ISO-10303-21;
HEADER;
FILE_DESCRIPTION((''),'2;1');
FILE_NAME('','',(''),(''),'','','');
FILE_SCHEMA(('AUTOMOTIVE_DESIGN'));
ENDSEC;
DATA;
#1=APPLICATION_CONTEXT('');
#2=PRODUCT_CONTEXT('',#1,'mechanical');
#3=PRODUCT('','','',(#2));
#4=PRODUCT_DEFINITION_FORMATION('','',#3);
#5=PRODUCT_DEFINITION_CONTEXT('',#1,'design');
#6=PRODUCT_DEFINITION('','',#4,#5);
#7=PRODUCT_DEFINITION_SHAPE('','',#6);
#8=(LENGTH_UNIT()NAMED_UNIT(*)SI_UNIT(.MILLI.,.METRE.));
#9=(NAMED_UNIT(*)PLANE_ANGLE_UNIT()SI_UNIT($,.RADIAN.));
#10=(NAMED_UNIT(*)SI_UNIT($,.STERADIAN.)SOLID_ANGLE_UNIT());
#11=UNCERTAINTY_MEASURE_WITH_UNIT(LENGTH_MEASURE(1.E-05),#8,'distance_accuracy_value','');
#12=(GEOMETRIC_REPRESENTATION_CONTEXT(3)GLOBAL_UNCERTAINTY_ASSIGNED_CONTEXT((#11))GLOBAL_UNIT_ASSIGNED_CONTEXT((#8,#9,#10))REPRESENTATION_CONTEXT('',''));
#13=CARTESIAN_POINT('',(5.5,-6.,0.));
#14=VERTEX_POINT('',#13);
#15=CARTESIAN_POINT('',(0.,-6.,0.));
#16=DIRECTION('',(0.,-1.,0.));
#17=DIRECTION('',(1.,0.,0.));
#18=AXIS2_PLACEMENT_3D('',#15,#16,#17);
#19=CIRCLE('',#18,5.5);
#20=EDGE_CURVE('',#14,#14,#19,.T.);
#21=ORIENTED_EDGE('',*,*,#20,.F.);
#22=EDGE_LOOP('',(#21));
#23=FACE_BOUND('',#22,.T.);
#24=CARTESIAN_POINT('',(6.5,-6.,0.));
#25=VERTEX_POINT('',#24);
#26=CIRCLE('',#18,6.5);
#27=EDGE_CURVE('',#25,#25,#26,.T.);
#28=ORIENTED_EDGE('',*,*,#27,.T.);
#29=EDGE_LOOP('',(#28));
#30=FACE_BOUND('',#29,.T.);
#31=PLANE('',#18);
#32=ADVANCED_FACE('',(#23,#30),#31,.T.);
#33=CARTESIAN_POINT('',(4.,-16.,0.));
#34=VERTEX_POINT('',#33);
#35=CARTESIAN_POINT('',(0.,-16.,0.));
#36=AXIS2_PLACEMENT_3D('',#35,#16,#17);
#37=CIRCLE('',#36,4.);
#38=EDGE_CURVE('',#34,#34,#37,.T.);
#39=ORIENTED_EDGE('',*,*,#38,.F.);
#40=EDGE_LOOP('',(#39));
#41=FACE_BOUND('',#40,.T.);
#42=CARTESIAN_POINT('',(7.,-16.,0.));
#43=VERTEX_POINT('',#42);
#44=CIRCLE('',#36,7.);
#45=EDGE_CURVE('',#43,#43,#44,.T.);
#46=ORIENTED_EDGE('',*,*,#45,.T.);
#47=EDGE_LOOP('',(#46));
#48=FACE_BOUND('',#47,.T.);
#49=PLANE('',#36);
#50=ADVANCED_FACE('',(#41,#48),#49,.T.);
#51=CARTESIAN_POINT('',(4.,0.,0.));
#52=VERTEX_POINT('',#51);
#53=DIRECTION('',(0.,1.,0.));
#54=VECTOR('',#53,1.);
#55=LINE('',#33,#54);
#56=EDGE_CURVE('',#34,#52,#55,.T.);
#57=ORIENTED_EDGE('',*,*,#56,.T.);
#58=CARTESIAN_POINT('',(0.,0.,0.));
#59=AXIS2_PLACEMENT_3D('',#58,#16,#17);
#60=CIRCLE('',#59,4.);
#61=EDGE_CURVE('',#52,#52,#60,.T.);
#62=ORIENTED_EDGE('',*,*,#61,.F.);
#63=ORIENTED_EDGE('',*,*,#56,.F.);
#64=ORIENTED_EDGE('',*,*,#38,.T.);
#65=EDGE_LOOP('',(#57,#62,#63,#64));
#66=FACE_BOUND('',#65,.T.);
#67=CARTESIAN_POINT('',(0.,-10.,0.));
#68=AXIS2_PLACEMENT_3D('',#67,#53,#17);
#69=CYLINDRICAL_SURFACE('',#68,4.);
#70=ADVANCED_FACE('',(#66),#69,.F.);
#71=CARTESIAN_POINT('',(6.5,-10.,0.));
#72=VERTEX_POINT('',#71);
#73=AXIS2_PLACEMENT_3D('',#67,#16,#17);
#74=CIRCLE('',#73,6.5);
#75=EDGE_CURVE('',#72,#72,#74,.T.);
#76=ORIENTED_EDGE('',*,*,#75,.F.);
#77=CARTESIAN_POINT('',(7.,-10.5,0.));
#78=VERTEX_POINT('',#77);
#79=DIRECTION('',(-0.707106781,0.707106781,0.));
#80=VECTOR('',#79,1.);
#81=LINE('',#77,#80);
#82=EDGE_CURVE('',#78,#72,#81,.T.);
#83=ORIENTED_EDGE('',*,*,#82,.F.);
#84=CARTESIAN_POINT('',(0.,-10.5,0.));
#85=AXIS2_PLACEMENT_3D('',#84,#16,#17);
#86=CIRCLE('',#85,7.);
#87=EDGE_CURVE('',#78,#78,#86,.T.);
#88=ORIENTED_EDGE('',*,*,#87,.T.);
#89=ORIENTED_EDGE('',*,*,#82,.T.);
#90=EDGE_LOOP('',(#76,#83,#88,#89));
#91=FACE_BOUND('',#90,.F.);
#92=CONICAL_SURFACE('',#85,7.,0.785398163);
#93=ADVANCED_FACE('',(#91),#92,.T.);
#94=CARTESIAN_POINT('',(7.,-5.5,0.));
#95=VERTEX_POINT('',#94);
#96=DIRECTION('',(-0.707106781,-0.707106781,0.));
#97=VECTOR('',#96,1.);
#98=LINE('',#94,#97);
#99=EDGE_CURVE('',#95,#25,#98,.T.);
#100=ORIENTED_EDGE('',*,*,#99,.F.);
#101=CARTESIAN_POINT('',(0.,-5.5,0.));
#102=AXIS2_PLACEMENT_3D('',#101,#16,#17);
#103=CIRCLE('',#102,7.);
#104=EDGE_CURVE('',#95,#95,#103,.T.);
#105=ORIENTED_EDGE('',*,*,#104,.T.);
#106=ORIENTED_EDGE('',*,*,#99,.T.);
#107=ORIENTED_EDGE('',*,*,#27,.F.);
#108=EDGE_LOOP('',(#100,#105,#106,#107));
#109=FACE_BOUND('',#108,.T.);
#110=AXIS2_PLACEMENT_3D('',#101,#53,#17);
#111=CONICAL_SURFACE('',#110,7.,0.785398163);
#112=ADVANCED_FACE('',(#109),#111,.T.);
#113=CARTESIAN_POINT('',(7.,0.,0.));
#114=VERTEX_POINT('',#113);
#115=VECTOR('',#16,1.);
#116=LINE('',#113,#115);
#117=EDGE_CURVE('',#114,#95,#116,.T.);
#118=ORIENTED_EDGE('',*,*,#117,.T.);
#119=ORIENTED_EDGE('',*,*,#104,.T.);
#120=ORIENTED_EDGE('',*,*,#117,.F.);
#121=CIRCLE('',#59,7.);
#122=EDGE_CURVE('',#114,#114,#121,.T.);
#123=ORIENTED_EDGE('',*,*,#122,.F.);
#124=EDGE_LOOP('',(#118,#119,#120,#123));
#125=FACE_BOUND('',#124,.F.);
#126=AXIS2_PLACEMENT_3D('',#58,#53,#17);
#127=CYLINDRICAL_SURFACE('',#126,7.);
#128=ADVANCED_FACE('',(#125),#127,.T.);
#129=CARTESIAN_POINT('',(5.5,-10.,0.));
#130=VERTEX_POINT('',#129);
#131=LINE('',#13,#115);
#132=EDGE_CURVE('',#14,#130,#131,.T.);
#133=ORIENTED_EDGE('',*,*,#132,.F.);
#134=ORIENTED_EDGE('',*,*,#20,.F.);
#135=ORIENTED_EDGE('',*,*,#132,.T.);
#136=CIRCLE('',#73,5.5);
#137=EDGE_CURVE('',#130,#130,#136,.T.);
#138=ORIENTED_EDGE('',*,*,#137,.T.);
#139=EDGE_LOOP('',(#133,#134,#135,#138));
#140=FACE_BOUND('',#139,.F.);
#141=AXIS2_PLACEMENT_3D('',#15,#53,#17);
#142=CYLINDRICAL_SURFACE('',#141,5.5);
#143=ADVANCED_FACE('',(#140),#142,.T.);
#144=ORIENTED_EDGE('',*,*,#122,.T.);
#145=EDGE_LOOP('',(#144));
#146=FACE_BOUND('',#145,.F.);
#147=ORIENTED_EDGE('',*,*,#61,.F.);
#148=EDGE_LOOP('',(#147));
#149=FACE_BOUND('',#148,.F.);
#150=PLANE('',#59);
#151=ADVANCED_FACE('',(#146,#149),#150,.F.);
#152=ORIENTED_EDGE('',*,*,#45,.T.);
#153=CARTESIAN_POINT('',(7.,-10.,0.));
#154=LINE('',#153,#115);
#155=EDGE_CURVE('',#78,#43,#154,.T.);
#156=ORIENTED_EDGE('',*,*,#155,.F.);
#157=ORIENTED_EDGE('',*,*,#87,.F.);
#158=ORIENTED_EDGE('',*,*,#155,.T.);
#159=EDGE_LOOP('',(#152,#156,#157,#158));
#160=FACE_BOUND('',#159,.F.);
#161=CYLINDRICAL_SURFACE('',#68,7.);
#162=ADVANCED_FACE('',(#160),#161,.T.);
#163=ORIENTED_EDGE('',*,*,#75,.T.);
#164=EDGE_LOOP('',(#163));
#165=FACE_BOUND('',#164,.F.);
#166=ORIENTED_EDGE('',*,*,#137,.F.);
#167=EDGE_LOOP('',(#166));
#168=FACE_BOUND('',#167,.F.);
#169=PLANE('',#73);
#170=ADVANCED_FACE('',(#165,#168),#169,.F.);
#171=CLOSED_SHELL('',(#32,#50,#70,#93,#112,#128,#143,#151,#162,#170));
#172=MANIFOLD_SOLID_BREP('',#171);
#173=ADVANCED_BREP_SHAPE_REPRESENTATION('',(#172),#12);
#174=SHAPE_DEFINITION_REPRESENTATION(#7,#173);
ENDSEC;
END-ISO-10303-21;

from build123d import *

# Parameters (mm, degrees)
F0_R     = 7
F0_R_2   = 4
F1_DEPTH = 6
F2_R     = 5.5
F2_R_2   = 4
F3_DEPTH = 4
F4_R     = 7
F4_R_2   = 4
F5_DEPTH = 6
F6_SIZE  = 0.5


with BuildPart() as f1:
    # F0 (on Front) → F1 (new body)
    with BuildSketch(Plane.XZ):
        Circle(F0_R)
        Circle(F0_R_2, mode=Mode.SUBTRACT)
    extrude(amount=F1_DEPTH)

    # F2 (on face) → F3 (join)
    with BuildSketch(Plane.XZ.offset(6)):
        Circle(F2_R)
        Circle(F2_R_2, mode=Mode.SUBTRACT)
    extrude(amount=F3_DEPTH)

    # F4 (on face) → F5 (join)
    with BuildSketch(Plane.XZ.offset(10)):
        Circle(F4_R)
        Circle(F4_R_2, mode=Mode.SUBTRACT)
    extrude(amount=F5_DEPTH)

    # F6
    f6_edges = [f1.edges().sort_by_distance(p)[0] for p in [
        (-7, -6, 0),
        (-7, -10, 0),
    ]]
    chamfer(f6_edges, length=F6_SIZE)


solid = f1.part
